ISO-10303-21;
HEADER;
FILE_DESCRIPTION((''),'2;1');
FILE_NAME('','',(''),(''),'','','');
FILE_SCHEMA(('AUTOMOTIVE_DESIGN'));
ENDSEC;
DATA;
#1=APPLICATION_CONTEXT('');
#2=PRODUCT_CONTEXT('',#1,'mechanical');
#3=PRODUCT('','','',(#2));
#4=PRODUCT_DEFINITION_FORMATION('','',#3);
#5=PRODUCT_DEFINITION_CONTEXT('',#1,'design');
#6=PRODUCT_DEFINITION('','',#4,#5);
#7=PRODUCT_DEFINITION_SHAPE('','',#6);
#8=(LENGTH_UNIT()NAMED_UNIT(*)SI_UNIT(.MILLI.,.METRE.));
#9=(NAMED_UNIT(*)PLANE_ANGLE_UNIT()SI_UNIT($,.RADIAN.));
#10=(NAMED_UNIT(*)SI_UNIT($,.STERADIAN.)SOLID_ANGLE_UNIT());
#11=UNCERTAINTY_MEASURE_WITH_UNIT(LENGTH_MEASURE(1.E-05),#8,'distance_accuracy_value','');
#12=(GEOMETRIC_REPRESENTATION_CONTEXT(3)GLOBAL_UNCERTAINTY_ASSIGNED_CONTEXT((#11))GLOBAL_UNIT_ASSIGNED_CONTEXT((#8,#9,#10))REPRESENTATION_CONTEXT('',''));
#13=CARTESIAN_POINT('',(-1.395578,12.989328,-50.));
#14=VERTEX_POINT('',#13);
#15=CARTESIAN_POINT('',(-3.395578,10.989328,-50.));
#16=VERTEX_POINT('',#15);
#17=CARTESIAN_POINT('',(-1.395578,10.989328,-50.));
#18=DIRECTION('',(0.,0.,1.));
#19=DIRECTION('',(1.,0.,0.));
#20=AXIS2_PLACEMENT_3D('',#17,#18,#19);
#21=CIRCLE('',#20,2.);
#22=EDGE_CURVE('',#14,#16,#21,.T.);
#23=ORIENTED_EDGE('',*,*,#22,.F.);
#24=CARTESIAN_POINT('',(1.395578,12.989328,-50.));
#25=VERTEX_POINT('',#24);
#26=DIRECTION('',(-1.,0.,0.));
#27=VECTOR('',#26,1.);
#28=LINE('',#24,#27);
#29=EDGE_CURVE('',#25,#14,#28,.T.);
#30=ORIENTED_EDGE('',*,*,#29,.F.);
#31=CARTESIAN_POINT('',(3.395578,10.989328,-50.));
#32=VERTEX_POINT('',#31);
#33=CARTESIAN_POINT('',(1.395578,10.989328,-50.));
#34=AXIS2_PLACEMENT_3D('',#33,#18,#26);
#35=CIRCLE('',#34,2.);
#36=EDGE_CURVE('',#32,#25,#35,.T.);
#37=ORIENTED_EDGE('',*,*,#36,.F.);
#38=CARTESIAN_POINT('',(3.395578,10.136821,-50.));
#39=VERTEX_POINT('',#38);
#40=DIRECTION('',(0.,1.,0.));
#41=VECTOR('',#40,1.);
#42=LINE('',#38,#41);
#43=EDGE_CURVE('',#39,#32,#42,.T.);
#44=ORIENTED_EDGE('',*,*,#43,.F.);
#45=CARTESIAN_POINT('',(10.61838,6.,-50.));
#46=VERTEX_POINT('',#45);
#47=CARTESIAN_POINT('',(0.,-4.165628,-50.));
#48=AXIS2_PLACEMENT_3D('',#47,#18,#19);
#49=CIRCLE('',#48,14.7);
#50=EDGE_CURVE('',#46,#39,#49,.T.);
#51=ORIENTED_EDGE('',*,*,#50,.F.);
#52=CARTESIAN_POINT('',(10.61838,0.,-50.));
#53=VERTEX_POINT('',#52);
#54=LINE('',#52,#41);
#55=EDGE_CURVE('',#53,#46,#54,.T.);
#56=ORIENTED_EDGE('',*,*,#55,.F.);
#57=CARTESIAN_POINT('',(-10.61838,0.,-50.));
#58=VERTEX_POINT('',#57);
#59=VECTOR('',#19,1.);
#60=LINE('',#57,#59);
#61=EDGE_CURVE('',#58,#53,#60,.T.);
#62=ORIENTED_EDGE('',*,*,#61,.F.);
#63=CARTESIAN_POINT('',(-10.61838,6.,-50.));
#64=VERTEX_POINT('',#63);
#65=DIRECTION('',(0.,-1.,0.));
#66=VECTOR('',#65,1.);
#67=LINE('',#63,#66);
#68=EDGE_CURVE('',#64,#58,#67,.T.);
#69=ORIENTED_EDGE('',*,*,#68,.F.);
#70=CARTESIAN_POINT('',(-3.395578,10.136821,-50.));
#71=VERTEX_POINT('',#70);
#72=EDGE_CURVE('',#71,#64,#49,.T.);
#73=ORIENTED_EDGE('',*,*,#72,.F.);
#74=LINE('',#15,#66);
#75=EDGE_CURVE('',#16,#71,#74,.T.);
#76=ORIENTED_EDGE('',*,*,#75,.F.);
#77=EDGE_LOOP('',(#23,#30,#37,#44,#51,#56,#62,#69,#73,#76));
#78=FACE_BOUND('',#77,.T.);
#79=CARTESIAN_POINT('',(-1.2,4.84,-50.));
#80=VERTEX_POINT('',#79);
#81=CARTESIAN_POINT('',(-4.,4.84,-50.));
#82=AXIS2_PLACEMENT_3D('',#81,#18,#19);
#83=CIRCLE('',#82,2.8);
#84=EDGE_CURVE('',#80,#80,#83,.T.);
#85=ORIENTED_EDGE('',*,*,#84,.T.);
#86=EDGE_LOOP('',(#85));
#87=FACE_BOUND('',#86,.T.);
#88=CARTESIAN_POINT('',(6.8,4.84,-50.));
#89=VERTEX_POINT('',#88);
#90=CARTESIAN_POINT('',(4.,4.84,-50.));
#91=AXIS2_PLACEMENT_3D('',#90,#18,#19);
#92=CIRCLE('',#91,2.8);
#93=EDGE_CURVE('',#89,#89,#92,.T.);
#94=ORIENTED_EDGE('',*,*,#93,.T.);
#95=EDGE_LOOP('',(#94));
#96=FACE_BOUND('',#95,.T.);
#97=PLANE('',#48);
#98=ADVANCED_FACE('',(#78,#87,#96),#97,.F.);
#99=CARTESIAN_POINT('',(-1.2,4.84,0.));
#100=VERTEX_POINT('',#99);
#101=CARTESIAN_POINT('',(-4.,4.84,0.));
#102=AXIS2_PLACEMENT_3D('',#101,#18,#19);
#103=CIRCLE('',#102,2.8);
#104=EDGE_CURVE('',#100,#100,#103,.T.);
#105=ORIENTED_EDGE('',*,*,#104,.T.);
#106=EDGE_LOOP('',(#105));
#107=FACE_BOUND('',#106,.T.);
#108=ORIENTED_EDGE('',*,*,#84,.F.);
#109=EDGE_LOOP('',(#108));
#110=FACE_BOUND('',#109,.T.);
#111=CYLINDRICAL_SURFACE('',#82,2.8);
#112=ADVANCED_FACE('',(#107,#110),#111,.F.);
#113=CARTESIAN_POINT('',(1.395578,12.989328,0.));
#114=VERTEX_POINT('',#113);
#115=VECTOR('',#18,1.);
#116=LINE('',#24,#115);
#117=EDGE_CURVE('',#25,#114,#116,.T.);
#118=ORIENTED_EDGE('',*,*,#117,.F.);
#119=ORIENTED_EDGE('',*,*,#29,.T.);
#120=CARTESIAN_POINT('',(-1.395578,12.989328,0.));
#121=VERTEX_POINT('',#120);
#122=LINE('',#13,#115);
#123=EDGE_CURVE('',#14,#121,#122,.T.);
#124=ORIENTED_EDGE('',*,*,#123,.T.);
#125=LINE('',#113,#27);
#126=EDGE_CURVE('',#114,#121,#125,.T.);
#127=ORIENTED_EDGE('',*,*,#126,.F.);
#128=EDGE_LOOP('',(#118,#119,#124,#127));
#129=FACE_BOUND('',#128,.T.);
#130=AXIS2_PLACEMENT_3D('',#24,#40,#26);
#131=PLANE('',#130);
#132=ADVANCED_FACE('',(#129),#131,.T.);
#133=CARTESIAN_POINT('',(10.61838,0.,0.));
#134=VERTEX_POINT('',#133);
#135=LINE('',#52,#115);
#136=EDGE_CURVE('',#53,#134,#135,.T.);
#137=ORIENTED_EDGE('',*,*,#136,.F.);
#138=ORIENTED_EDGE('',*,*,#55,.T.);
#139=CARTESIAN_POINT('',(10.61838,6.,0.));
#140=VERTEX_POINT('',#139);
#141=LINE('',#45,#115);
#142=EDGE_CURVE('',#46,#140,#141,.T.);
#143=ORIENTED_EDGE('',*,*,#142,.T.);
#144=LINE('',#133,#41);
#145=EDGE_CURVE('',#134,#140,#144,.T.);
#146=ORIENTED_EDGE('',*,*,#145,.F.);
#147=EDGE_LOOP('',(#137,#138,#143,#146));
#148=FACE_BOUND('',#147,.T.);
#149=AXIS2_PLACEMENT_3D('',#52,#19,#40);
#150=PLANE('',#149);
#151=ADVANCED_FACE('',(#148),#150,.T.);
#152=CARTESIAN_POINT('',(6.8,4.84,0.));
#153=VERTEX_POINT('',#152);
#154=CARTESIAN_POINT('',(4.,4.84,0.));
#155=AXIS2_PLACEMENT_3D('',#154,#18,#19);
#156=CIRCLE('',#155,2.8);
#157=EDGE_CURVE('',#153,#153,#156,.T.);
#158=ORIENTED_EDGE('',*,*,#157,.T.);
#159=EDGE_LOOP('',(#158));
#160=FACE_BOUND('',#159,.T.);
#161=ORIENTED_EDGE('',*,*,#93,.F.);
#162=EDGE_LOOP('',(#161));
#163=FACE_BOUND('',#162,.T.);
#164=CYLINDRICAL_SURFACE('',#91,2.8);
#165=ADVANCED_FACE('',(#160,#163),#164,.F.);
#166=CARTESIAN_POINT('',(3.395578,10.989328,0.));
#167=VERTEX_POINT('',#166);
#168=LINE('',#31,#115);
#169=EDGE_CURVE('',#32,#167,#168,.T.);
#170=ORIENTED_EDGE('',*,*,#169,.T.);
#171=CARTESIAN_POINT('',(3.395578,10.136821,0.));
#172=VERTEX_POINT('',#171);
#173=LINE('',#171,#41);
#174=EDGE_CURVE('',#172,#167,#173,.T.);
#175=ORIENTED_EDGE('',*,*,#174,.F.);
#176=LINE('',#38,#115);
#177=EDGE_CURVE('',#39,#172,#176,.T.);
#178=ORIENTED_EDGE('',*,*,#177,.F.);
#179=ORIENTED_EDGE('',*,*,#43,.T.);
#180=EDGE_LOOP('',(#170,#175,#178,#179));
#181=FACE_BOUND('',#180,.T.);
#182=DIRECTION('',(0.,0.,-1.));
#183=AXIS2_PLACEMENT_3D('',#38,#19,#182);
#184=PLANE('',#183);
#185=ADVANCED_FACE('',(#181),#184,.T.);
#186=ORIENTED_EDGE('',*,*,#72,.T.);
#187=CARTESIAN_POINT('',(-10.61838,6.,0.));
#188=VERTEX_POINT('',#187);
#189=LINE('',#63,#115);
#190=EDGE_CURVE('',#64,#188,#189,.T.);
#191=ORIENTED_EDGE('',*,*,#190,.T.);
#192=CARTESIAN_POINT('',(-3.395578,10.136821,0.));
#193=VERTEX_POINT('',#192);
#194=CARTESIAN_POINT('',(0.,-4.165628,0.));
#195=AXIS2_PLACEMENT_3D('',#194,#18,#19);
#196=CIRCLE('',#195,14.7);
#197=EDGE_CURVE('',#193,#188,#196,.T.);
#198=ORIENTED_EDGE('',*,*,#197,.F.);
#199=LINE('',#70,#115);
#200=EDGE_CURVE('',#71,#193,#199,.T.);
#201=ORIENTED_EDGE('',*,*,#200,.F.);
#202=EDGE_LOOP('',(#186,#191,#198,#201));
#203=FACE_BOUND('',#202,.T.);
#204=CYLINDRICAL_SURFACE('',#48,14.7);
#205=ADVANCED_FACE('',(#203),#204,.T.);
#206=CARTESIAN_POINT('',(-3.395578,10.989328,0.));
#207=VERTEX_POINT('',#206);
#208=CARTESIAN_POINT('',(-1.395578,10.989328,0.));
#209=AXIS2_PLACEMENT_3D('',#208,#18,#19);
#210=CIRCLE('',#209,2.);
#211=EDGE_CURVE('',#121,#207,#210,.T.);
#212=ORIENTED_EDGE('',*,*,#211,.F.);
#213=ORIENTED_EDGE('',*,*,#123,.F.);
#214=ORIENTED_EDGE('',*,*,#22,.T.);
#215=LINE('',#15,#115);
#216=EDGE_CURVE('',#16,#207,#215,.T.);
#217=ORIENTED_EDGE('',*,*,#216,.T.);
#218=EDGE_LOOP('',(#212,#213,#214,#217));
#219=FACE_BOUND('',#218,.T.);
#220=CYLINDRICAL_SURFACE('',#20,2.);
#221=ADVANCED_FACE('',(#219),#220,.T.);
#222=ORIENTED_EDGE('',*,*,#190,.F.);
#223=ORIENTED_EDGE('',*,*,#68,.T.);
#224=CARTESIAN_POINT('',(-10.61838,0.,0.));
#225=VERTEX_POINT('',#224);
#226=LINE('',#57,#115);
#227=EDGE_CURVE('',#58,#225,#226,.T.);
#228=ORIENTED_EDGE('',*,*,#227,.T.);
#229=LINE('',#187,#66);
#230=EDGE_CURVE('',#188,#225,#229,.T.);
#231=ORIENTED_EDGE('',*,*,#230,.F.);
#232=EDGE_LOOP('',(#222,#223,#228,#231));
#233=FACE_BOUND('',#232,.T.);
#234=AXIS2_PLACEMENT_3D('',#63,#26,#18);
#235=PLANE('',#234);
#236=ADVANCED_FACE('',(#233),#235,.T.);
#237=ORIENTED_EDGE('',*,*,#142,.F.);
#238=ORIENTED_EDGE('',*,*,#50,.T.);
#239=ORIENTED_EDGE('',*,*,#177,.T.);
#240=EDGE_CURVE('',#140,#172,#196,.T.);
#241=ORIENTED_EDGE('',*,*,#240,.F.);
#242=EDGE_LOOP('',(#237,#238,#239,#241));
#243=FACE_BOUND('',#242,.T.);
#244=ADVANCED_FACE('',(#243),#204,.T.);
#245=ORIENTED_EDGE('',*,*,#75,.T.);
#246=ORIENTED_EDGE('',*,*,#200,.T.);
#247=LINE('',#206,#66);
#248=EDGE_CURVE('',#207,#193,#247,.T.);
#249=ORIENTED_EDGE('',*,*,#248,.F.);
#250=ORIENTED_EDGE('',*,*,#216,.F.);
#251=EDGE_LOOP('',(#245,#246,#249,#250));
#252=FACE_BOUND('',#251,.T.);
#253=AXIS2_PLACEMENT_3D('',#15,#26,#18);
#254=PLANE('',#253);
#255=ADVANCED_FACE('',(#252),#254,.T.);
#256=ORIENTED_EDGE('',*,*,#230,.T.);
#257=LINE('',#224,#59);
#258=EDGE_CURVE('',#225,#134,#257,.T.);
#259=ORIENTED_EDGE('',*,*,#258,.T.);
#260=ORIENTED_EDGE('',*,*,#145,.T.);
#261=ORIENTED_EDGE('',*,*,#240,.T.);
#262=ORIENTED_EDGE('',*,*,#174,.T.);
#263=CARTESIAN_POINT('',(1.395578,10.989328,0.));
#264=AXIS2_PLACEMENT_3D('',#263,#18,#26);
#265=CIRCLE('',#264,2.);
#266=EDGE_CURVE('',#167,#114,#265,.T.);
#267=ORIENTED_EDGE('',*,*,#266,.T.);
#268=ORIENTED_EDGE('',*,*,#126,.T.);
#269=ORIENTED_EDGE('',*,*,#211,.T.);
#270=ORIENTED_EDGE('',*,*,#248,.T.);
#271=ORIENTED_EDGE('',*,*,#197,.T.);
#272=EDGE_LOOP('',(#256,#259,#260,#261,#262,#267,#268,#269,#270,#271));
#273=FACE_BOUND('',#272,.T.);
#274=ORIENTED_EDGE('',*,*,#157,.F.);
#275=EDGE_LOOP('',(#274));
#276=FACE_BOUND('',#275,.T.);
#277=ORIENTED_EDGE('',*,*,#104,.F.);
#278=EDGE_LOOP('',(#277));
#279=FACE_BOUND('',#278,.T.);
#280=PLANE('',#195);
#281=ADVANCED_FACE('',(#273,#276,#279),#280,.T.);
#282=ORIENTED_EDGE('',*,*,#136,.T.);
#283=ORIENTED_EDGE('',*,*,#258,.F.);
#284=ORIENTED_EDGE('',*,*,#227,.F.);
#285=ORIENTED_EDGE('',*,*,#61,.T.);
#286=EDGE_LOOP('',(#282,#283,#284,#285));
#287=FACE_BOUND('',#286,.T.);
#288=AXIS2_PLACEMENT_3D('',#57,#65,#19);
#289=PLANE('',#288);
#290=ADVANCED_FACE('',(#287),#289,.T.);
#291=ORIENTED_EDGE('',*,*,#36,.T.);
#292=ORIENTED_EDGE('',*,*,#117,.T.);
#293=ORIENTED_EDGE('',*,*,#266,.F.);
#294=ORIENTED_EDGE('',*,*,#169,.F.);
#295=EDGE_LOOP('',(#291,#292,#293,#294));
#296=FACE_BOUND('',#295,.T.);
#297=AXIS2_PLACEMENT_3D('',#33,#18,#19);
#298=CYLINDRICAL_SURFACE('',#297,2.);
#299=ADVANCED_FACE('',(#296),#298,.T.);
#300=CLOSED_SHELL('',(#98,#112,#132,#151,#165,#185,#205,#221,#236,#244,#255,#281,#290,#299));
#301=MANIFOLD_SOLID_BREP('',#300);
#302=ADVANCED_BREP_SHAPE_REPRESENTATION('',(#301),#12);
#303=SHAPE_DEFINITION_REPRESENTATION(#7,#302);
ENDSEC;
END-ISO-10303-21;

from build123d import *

# Parameters (mm, degrees)
BOSS_EXTRUDE1_DEPTH = 50
SKETCH2_R           = 2.8
CUT_EXTRUDE1_DEPTH  = 53.73966846


with BuildPart() as part:
    # Sketch1 → Boss-Extrude1 (new body)
    with BuildSketch(Plane.XY):
        with BuildLine():
            Line((-10.618380291, 0), (10.618380291, 0))
            Line((10.618380291, 0), (10.618380291, 6))
            ThreePointArc((10.618380291, 6), (7.305893165, 8.590308493), (3.395577503, 10.136820848))
            Line((3.395577503, 10.136820848), (3.395577503, 10.989327513))
            ThreePointArc((3.395577503, 10.989327513), (2.809791065, 12.403541075), (1.395577503, 12.989327513))
            Line((1.395577503, 12.989327513), (-1.395577503, 12.989327513))
            ThreePointArc((-1.395577503, 12.989327513), (-2.809791065, 12.403541075), (-3.395577503, 10.989327513))
            Line((-3.395577503, 10.989327513), (-3.395577503, 10.136820848))
            ThreePointArc((-3.395577503, 10.136820848), (-7.305893165, 8.590308493), (-10.618380291, 6))
            Line((-10.618380291, 6), (-10.618380291, 0))
        make_face()
    extrude(amount=-BOSS_EXTRUDE1_DEPTH)

    # Sketch2 → Cut-Extrude1 (cut, through all)
    with BuildSketch(Plane.XY):
        with Locations((-4, 4.84)):
            Circle(SKETCH2_R)
        with Locations((4, 4.84)):
            Circle(SKETCH2_R)
    extrude(amount=-CUT_EXTRUDE1_DEPTH, mode=Mode.SUBTRACT)


solid = part.part
